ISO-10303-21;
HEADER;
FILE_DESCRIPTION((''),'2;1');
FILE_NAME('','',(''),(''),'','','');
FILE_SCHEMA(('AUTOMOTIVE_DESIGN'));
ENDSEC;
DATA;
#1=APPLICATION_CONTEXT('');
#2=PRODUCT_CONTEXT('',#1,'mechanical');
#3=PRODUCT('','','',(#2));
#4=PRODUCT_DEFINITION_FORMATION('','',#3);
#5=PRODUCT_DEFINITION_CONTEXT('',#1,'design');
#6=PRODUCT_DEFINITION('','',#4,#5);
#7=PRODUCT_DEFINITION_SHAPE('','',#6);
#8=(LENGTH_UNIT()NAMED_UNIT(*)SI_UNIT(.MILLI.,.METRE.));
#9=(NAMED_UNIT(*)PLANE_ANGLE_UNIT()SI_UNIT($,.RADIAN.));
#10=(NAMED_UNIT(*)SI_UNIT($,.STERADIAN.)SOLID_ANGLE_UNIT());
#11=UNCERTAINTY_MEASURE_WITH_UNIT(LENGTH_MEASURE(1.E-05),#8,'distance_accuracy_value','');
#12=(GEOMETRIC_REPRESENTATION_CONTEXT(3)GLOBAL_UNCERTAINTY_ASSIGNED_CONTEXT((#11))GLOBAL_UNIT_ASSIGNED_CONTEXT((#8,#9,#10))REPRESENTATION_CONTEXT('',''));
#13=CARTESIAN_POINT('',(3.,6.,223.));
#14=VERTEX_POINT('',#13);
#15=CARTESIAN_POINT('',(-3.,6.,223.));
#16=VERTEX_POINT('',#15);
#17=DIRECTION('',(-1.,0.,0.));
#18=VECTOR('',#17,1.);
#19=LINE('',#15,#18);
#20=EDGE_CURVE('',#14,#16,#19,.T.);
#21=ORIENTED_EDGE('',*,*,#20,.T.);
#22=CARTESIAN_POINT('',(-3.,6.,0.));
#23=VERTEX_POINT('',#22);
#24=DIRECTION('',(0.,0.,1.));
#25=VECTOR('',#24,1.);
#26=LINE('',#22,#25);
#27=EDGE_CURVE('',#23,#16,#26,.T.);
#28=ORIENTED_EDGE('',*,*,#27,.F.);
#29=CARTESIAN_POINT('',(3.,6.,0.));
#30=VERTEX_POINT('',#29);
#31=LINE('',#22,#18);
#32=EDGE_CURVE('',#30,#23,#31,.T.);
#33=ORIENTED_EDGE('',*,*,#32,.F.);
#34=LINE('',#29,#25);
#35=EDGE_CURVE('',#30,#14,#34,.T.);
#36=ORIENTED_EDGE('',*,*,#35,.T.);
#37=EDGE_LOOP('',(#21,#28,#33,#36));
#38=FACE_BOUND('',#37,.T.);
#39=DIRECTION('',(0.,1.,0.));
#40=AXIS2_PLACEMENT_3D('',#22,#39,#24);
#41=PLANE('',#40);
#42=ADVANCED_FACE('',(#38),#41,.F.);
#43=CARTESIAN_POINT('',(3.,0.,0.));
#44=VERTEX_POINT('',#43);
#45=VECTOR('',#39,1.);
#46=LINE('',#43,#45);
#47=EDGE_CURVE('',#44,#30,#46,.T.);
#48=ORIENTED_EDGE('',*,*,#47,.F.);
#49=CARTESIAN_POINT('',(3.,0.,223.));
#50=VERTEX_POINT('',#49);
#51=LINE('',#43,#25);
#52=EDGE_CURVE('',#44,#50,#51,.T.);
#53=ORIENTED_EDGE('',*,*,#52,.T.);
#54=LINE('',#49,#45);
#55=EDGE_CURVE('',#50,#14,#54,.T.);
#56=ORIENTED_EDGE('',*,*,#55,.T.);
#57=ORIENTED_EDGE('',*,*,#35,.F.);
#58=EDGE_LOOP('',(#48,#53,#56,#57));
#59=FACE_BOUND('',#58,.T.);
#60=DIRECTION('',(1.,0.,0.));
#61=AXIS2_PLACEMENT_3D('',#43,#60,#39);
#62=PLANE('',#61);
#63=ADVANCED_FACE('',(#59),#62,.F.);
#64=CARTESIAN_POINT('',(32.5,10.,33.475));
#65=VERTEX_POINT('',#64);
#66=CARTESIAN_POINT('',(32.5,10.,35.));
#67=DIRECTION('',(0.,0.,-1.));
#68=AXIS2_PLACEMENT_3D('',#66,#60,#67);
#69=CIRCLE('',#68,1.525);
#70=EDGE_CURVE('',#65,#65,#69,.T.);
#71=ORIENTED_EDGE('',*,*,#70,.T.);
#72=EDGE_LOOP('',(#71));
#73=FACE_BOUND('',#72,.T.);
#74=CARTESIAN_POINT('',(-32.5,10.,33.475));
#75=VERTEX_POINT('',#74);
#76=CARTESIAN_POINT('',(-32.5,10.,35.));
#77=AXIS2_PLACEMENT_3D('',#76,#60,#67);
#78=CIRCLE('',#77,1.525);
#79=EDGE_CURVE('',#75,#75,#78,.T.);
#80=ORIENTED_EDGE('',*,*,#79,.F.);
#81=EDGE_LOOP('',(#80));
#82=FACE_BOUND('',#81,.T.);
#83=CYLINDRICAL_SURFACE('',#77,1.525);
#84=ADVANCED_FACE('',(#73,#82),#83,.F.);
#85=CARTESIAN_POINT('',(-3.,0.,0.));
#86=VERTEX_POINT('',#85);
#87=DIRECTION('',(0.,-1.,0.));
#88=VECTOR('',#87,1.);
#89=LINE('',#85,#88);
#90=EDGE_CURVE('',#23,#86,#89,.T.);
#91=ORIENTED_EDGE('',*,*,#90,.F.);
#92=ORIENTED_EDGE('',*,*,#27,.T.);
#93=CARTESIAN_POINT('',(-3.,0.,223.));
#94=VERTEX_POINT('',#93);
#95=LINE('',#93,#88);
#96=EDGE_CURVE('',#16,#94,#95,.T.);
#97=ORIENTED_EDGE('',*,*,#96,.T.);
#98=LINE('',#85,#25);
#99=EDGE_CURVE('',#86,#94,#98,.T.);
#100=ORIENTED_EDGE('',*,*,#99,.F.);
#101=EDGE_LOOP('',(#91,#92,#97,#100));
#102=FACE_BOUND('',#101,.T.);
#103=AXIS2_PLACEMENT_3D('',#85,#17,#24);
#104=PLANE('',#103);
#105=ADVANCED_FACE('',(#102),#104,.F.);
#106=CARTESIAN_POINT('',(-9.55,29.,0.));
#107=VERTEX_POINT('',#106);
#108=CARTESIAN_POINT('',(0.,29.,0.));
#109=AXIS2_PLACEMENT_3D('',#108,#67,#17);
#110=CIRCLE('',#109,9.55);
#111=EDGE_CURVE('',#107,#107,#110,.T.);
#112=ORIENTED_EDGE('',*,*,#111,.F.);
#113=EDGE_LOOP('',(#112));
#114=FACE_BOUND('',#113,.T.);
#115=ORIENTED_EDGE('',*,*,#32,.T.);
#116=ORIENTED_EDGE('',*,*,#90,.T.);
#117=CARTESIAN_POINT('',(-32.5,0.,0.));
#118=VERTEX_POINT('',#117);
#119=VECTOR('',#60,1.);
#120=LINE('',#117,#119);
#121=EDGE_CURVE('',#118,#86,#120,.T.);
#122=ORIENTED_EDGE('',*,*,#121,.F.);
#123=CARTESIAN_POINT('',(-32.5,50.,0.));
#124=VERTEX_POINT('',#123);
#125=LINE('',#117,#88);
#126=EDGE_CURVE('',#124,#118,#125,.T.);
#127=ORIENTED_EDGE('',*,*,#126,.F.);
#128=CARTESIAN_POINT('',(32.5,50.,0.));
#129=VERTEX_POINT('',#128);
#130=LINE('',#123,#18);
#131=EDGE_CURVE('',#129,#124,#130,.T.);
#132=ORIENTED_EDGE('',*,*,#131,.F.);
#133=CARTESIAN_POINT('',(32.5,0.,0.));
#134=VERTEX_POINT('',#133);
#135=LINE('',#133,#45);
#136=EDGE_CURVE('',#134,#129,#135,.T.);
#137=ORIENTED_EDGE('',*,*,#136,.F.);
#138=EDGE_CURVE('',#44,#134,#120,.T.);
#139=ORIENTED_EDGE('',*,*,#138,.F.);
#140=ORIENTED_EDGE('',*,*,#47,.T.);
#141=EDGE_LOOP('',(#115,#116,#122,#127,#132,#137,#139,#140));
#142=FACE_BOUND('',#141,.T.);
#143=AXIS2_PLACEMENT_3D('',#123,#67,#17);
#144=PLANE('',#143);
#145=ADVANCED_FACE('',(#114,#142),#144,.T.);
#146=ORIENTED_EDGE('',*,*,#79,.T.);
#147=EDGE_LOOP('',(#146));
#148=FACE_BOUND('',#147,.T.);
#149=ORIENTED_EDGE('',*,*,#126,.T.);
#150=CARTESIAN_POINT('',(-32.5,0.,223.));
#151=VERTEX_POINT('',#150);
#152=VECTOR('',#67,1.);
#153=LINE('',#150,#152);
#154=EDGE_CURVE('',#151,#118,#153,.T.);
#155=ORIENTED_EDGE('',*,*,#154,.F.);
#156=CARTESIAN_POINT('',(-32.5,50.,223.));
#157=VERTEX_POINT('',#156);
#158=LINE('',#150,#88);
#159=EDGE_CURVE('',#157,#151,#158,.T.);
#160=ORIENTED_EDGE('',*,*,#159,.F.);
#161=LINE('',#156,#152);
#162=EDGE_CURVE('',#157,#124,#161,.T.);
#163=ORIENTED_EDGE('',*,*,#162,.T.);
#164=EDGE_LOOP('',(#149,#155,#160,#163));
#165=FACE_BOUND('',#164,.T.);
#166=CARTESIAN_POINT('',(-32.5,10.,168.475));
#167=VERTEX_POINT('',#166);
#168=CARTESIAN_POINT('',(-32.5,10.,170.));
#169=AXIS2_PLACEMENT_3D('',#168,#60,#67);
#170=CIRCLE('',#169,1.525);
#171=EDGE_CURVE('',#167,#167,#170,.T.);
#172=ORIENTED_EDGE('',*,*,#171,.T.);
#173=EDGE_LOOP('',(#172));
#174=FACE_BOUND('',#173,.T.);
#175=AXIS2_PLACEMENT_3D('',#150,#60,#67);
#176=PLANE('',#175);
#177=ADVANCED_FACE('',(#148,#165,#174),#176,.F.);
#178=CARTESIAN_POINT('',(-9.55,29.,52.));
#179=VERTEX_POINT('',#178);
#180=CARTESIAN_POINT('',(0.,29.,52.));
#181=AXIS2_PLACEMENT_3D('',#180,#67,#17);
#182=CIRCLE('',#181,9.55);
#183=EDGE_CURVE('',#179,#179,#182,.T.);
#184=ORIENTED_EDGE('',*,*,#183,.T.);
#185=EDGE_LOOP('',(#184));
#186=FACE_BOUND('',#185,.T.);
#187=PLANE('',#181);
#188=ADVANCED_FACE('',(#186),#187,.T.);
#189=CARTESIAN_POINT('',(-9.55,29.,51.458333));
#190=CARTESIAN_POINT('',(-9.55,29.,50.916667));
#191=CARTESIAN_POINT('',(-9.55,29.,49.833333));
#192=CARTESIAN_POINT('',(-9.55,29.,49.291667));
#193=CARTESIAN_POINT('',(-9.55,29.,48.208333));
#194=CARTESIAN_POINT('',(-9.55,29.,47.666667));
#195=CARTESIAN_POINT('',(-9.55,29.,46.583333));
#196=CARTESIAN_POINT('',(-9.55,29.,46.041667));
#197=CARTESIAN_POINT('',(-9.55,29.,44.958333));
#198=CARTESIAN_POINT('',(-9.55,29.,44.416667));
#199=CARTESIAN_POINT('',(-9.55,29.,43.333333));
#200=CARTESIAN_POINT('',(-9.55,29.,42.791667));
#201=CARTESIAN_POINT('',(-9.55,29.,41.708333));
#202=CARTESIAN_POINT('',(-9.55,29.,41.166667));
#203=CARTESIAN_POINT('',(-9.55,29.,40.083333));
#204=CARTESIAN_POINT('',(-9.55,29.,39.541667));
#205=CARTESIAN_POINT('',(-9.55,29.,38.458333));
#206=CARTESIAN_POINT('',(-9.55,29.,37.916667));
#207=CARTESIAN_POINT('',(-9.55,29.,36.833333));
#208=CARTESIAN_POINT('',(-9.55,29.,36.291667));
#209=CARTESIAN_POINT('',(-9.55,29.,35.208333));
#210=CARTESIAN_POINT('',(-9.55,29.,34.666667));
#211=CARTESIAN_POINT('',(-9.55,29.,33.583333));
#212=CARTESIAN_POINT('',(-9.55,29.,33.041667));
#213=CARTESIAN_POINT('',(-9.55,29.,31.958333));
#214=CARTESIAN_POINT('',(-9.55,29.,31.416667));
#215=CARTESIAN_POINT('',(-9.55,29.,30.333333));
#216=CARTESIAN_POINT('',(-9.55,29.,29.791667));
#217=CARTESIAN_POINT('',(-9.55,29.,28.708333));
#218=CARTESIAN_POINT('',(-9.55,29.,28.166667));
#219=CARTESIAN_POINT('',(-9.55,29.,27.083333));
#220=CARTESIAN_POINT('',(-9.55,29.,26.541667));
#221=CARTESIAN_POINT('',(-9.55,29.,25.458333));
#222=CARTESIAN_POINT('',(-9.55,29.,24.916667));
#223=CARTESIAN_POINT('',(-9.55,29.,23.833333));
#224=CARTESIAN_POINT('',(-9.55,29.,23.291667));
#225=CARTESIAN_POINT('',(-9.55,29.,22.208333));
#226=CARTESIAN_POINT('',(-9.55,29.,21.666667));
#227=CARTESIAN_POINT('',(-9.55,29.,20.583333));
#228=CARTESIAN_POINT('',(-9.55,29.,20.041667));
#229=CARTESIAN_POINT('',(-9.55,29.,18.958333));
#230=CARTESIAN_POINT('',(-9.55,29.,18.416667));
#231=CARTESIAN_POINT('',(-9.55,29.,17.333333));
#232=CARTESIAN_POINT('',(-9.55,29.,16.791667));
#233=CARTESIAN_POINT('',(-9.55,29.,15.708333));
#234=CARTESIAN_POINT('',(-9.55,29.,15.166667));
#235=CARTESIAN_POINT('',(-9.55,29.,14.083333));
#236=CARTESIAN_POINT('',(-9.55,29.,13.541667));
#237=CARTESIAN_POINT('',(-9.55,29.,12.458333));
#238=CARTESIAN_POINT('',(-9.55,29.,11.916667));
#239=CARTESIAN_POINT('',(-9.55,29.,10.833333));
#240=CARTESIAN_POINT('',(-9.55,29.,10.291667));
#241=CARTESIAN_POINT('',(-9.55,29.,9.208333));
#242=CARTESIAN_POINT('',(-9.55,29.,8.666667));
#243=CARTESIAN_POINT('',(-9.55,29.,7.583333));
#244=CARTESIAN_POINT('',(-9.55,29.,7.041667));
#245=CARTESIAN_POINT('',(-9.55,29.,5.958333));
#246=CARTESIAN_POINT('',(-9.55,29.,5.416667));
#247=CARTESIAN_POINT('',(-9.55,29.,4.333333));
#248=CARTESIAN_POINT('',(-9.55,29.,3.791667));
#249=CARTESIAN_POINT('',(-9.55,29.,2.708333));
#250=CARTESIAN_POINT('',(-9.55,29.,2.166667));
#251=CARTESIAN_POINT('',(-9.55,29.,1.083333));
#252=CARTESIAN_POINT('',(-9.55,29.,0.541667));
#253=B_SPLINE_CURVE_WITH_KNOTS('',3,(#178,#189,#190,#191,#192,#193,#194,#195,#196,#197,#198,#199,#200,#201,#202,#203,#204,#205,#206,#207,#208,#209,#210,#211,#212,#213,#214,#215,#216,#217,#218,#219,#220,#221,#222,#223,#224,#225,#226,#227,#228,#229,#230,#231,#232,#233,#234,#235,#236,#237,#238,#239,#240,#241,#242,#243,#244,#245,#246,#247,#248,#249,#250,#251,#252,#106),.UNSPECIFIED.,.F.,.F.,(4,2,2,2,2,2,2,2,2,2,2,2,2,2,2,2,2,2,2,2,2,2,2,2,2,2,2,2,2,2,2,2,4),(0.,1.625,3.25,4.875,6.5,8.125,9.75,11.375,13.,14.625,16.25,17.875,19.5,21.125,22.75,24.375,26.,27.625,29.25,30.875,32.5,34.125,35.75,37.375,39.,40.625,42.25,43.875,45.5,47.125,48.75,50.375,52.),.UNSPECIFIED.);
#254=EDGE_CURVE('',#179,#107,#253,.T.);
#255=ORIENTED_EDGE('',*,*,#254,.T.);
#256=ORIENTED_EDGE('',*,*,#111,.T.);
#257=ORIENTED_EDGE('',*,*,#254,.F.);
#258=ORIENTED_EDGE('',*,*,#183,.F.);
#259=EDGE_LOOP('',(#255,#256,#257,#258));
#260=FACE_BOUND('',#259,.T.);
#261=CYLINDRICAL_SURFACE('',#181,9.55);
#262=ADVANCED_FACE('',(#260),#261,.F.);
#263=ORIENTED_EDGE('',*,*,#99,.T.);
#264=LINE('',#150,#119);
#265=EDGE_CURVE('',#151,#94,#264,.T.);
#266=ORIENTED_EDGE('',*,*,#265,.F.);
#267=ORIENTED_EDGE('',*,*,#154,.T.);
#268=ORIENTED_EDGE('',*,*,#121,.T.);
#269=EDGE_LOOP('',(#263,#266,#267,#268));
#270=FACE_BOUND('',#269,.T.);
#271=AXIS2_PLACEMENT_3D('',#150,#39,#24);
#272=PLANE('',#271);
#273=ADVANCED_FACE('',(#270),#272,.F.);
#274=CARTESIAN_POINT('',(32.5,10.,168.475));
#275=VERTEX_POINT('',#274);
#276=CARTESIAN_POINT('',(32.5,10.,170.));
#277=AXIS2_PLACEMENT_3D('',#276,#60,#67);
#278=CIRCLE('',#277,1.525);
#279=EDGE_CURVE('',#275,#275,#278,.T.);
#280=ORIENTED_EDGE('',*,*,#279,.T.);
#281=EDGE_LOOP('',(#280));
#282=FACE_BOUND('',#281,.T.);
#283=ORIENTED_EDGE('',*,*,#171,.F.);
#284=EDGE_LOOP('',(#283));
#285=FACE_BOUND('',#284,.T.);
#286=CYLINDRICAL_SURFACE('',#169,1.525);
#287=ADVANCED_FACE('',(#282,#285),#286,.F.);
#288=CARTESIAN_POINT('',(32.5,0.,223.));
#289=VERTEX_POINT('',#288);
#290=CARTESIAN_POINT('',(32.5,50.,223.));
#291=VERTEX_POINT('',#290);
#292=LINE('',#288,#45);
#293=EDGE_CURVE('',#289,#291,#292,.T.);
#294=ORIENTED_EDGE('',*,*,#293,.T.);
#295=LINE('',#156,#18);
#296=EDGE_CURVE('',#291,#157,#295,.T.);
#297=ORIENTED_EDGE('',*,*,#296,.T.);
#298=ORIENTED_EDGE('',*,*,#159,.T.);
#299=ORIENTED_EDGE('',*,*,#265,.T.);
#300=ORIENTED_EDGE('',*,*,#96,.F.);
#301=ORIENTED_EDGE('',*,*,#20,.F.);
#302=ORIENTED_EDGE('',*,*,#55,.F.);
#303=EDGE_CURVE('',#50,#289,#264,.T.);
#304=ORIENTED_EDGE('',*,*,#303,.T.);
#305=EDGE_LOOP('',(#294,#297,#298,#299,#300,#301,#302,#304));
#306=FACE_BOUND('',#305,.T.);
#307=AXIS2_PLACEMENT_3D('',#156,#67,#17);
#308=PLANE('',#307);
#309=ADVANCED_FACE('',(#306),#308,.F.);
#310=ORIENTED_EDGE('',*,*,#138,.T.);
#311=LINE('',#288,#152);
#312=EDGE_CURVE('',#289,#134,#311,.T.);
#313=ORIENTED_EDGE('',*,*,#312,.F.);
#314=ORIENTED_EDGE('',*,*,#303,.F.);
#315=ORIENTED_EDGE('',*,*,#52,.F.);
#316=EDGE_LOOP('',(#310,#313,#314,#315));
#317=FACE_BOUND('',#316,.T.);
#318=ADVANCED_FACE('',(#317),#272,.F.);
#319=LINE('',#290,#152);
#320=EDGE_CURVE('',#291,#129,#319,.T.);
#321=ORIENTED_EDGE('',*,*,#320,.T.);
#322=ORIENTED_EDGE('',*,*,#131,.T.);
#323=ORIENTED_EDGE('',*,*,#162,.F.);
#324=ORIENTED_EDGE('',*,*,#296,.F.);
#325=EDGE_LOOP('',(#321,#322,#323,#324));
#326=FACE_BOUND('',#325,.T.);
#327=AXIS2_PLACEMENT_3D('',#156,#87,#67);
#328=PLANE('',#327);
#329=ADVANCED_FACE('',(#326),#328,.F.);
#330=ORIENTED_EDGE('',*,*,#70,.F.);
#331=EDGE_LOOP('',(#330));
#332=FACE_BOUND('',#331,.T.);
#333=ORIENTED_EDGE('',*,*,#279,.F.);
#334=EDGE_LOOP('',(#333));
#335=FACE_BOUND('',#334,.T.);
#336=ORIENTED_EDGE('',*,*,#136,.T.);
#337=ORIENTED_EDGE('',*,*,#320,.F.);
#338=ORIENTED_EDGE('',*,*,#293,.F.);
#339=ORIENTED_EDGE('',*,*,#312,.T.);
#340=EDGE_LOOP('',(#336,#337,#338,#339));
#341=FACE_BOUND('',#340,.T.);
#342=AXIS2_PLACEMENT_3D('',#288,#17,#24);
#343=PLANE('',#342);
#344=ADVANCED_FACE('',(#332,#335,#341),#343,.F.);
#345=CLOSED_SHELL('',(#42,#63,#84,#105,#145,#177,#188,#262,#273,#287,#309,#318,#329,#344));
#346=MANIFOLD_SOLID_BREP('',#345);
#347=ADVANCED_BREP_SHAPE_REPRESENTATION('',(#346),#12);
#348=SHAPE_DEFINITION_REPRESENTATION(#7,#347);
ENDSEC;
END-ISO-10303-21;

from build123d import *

# Parameters (mm, degrees)
SKETCH1_W                = 65
SKETCH1_H                = 50
BALSA_BLOCK_DEPTH        = 223
SKETCH2_W                = 6
SKETCH2_H                = 6
SCREW_EYE_SLOT_DEPTH     = 231.835980731
SKETCH3_R                = 9.55
CO2_CARTRIDGE_HOLE_DEPTH = 52
SKETCH4_R                = 1.525
AXLE_HOLE_CUT_OUT_DEPTH  = 238.60050505


with BuildPart() as part:
    # Sketch1 → Balsa Block (new body)
    with BuildSketch(Plane.XY):
        with Locations((0, 25)):
            Rectangle(SKETCH1_W, SKETCH1_H)
    extrude(amount=BALSA_BLOCK_DEPTH)

    # Sketch2 → Screw Eye Slot (cut, through all)
    with BuildSketch(Plane.XY.offset(223)):
        with Locations((0, 3)):
            Rectangle(SKETCH2_W, SKETCH2_H)
    extrude(amount=-SCREW_EYE_SLOT_DEPTH, mode=Mode.SUBTRACT)

    # Sketch3 → CO2 Cartridge Hole (cut)
    with BuildSketch(Plane(origin=(0, 0, 0), x_dir=(-1, 0, 0), z_dir=(0, 0, -1))):
        with Locations((0, 29)):
            Circle(SKETCH3_R)
    extrude(amount=-CO2_CARTRIDGE_HOLE_DEPTH, mode=Mode.SUBTRACT)

    # Sketch4 → Axle Hole Cut Out (cut, through all)
    with BuildSketch(Plane(origin=(32.5, 0, 0), x_dir=(0, 0, -1), z_dir=(1, 0, 0))):
        with Locations((-170, 10)):
            Circle(SKETCH4_R)
        with Locations((-35, 10)):
            Circle(SKETCH4_R)
    extrude(amount=-AXLE_HOLE_CUT_OUT_DEPTH, mode=Mode.SUBTRACT)


solid = part.part
